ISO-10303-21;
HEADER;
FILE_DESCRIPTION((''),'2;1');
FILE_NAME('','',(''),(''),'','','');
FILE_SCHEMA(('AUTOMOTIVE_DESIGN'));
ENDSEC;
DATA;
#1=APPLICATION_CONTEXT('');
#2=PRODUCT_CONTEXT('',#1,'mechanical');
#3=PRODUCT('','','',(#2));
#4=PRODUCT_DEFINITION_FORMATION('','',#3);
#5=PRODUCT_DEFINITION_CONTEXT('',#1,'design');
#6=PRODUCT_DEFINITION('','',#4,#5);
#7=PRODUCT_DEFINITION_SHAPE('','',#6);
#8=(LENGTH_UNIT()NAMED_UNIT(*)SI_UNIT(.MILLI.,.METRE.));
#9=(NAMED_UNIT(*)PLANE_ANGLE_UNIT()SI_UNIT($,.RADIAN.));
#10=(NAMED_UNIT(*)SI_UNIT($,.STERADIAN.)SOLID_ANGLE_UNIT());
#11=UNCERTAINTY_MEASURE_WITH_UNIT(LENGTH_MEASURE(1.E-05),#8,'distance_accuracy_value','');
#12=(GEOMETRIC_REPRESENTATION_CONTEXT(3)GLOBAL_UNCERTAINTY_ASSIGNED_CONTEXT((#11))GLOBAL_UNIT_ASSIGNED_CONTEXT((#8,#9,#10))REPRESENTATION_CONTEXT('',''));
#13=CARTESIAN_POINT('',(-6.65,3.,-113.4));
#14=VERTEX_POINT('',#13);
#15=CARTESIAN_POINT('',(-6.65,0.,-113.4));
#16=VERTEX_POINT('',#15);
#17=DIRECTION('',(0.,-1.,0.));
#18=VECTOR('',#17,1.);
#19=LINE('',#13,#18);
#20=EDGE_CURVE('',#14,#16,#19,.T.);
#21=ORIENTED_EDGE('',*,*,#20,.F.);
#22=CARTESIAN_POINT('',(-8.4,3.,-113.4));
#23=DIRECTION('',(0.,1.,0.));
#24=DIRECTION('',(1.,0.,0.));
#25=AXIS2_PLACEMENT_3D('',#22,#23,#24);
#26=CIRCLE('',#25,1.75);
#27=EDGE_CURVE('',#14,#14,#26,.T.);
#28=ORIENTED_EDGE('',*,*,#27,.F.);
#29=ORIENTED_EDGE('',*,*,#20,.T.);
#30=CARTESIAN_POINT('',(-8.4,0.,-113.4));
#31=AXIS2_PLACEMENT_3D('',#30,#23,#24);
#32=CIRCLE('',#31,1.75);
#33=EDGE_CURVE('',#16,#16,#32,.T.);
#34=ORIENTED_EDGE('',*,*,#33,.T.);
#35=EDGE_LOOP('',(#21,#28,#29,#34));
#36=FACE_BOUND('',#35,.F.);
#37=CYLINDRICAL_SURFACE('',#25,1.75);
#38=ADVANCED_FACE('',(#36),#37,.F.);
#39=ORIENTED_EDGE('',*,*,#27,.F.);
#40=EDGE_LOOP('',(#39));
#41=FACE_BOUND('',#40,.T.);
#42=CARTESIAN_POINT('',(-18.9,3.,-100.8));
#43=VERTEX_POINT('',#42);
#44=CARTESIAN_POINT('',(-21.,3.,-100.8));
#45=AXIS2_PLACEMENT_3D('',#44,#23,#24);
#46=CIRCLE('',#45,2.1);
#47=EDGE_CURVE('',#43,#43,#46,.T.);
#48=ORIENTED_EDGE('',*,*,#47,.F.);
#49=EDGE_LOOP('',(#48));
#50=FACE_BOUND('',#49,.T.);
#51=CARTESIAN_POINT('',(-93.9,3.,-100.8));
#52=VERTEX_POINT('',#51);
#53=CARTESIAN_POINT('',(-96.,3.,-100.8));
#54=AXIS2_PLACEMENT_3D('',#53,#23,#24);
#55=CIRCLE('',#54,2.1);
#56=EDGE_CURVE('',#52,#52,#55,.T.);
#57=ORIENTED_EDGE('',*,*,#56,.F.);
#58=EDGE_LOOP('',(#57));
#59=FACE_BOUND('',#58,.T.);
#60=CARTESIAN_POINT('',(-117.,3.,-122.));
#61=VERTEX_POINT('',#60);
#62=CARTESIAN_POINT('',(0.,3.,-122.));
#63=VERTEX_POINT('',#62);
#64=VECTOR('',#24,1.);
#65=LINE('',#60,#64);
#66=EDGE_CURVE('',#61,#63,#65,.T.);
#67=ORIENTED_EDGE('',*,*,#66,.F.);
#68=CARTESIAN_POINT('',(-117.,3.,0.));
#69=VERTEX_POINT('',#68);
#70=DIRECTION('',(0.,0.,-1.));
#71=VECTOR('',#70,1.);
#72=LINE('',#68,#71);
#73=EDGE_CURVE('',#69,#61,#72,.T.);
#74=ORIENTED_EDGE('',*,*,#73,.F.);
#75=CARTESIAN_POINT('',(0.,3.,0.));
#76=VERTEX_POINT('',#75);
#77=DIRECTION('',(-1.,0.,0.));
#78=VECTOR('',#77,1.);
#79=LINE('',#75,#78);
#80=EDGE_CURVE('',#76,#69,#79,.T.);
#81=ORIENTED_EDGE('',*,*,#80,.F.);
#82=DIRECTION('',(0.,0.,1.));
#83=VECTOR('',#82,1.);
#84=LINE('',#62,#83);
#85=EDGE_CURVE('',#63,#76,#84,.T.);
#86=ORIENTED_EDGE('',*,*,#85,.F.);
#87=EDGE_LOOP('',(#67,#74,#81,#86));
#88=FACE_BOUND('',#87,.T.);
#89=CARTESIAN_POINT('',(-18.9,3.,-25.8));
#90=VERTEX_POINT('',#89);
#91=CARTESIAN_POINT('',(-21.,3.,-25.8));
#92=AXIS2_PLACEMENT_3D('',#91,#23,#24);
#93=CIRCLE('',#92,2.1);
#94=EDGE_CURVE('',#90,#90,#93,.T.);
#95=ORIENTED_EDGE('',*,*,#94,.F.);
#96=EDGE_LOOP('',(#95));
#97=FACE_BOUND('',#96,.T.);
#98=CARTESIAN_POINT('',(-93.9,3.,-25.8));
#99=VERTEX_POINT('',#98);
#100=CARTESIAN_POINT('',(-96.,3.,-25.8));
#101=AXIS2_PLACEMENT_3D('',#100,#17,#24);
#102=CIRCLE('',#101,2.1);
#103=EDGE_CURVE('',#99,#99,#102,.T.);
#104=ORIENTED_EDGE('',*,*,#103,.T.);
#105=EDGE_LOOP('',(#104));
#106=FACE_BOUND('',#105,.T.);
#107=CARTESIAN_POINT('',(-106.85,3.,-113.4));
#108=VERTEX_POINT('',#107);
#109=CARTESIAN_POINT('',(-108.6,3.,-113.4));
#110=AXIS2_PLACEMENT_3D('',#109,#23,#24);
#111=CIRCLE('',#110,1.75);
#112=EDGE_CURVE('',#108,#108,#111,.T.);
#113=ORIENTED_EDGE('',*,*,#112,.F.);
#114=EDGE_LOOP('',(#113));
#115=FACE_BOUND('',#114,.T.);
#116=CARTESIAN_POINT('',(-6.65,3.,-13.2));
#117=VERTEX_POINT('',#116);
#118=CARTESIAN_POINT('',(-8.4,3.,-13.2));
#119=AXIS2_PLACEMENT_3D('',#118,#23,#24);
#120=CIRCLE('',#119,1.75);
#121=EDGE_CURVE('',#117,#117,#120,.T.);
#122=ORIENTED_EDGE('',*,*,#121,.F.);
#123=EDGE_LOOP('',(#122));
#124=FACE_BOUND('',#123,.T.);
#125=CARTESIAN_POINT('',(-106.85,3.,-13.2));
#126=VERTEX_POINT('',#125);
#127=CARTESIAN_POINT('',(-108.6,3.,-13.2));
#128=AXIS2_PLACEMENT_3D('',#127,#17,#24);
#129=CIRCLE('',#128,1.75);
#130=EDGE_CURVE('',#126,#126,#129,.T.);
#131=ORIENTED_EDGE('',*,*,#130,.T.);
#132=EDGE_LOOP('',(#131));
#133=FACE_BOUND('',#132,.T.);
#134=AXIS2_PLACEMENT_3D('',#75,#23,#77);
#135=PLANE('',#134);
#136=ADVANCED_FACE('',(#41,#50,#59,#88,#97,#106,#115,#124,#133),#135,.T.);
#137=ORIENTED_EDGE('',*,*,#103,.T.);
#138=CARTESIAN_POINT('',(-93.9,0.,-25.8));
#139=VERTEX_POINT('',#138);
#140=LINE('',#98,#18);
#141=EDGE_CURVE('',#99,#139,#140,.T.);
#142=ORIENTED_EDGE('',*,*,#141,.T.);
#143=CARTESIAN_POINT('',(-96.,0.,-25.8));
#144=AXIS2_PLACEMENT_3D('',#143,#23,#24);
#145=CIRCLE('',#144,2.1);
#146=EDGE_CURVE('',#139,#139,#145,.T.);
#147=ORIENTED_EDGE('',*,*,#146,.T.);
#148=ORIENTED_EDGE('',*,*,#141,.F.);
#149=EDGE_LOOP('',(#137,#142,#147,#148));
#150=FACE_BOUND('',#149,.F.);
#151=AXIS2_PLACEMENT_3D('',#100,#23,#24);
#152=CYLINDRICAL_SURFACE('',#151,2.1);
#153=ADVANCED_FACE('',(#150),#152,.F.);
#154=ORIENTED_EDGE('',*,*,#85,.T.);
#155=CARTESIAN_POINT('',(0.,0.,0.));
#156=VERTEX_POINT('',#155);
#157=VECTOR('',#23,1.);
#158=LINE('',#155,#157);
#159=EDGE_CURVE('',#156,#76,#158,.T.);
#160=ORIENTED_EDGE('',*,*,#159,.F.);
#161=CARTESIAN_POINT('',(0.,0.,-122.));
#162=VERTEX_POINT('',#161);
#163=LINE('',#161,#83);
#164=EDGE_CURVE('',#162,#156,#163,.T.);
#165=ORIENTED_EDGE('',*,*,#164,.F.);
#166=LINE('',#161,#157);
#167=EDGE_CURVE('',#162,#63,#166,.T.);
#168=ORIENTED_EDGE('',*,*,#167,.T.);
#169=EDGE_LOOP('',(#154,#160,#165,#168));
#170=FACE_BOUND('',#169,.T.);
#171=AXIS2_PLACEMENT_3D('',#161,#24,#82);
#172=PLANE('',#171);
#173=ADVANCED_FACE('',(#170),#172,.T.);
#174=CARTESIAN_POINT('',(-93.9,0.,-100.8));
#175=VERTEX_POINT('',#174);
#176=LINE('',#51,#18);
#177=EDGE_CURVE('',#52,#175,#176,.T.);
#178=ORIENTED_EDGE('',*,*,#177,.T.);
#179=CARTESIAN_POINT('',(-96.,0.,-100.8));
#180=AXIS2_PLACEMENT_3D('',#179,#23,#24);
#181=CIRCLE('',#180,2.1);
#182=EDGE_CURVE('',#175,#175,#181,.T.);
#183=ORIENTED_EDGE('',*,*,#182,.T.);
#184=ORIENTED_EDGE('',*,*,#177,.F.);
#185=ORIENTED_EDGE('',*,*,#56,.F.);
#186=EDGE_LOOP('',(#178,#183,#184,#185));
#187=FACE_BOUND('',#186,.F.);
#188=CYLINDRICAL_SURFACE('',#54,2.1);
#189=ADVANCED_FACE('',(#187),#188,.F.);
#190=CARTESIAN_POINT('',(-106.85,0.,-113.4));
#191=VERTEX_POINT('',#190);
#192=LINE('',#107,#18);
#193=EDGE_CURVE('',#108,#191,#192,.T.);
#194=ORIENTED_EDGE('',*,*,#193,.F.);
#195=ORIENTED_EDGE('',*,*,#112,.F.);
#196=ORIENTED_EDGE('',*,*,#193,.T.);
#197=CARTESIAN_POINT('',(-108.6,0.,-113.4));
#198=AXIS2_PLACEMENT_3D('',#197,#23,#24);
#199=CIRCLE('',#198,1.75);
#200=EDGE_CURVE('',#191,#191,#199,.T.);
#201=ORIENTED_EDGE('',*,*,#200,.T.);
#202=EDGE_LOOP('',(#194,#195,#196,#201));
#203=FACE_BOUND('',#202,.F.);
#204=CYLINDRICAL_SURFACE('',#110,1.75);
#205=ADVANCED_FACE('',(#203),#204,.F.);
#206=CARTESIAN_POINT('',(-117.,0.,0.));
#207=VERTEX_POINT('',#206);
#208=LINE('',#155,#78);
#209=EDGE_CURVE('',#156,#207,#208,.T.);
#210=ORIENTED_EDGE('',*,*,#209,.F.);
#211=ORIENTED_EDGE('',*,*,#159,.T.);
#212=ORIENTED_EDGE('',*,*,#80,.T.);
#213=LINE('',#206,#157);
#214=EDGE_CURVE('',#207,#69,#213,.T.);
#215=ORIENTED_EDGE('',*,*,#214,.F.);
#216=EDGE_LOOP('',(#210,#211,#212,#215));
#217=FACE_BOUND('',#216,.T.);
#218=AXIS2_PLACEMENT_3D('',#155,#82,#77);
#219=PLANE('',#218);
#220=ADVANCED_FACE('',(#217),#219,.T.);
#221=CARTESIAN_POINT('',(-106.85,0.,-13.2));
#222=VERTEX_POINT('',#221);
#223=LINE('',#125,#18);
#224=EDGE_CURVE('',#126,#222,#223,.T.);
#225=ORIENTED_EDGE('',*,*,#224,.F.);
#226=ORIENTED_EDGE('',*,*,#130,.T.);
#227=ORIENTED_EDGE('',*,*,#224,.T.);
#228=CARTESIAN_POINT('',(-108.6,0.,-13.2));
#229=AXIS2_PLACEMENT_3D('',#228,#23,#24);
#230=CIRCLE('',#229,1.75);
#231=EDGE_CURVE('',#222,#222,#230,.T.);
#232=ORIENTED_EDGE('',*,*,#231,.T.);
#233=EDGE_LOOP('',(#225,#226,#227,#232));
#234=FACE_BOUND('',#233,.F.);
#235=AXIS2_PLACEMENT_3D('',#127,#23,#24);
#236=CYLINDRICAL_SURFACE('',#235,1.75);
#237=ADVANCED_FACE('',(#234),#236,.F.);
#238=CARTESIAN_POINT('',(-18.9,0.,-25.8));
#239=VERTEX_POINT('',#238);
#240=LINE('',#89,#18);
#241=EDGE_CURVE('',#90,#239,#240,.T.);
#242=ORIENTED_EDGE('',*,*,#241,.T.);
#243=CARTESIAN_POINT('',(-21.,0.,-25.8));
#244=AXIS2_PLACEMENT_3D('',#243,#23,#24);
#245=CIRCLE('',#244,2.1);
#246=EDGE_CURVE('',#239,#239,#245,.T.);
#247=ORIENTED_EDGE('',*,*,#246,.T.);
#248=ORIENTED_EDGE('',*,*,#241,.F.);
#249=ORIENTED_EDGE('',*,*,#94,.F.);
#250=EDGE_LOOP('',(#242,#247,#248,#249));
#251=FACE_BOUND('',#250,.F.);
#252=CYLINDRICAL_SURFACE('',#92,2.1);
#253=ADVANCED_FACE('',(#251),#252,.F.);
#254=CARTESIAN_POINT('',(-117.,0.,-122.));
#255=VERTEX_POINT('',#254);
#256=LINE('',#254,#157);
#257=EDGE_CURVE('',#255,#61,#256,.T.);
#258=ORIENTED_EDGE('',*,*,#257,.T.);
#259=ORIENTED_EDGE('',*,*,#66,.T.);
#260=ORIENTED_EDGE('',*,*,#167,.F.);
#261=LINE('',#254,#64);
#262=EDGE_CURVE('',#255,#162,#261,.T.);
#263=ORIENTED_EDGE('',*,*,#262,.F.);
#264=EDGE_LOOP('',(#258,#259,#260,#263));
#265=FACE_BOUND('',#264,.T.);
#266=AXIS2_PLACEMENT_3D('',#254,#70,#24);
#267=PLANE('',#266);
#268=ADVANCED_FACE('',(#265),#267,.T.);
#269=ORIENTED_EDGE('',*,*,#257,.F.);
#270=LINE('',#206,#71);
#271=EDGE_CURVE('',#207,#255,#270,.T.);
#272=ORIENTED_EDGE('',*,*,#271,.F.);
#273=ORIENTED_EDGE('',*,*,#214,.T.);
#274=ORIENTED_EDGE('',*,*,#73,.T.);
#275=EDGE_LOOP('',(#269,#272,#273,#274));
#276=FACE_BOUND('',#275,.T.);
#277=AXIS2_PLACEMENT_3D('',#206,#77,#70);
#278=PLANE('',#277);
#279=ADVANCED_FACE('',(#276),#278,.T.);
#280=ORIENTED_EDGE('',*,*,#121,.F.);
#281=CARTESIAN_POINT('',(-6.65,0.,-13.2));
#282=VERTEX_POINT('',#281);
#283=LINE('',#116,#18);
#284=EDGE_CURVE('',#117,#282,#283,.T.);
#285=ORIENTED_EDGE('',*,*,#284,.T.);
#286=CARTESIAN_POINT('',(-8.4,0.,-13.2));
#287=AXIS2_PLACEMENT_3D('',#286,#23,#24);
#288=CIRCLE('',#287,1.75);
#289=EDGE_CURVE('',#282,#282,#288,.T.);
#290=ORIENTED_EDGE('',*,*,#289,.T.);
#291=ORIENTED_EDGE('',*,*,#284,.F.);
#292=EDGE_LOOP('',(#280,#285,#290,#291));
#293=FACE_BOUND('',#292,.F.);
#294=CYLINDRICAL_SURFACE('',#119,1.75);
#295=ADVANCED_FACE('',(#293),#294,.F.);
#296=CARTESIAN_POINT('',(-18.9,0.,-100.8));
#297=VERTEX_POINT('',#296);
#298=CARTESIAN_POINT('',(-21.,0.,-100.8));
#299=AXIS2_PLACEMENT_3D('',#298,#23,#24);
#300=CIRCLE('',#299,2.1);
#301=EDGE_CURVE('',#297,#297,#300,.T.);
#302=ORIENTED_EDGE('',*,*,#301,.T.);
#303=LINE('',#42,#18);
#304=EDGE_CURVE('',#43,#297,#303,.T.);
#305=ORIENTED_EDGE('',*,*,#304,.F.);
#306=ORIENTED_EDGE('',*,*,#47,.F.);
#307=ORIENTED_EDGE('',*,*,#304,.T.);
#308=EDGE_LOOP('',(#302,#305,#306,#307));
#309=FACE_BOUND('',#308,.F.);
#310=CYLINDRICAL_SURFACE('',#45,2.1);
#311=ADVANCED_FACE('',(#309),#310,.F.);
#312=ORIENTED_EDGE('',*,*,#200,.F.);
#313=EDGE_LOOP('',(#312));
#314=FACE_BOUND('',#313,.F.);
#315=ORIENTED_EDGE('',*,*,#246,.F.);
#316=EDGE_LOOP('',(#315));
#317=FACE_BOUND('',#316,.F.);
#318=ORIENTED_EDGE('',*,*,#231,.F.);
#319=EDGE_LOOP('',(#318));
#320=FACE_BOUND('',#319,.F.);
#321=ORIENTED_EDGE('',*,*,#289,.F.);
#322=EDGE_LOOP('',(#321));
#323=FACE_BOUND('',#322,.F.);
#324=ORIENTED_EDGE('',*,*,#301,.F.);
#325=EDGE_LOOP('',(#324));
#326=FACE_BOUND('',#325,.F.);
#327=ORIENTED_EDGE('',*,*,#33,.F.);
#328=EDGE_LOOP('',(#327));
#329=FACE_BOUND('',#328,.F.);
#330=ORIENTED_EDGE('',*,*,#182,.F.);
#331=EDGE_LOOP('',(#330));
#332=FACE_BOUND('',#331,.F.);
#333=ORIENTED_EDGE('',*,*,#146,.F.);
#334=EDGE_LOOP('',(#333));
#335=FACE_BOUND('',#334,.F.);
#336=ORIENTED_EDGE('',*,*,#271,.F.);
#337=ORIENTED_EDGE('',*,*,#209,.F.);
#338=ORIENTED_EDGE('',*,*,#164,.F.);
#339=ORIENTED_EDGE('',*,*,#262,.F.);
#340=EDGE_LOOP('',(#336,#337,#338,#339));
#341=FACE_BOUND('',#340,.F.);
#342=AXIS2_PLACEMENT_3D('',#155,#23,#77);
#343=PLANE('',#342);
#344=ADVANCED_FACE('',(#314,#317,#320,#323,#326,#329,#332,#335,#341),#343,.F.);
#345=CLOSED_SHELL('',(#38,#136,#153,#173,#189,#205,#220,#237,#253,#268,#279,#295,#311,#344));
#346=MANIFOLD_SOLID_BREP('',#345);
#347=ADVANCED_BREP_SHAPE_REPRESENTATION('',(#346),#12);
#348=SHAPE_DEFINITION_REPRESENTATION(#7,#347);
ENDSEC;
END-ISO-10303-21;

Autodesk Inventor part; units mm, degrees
ref_plane "YZ Plane" through (0, 0, 0) normal (1, 0, 0) x (0, 1, 0)
ref_plane "XZ Plane" through (0, 0, 0) normal (0, 1, 0) x (-1, 0, 0)
ref_plane "XY Plane" through (0, 0, 0) normal (0, 0, 1) x (1, 0, 0)
sketch "Sketch1" plane through (0, 0, 0) normal (0, 1, 0) x (-1, 0, 0)
  line L0 (0, 0) -> (117, 0)
  line L1 (117, 0) -> (117, -122)
  line L2 (117, -122) -> (0, -122)
  line L3 (0, -122) -> (0, 0)
  dimension "d0" = 117
  dimension "d1" = 122
extrude "Extrusion1" add sketch "Sketch1" along normal blind 3
sketch "Sketch2" plane through (0, 3, 0) normal (0, 1, 0) x (1, 0, 0)
  line L0 (-117, 0) -> (0, 0) projected
  line L1 (-117, 0) -> (-117, 25.8)
  line L2 (-117, 122) -> (-117, 0) projected
  line L3 (-117, 25.8) -> (-96, 25.8)
  circle A0 centre (-96, 25.8) radius 2.1
  circle A1 centre (-96, 100.8) radius 2.1
  circle A2 centre (-21, 25.8) radius 2.1
  circle A3 centre (-21, 100.8) radius 2.1
  line L4 (-117, 0) -> (-117, 13.2)
  line L5 (-117, 13.2) -> (-108.6, 13.2)
  circle A4 centre (-108.6, 13.2) radius 1.75
  circle A5 centre (-108.6, 113.4) radius 1.75
  circle A6 centre (-8.4, 13.2) radius 1.75
  circle A7 centre (-8.4, 113.4) radius 1.75
  dimension "d4" = 25.8
  dimension "d5" = 21
  dimension "d6" = 4.2
  dimension "d9" = 75
  dimension "d12" = 75
  dimension "d15" = 13.2
  dimension "d16" = 8.4
  dimension "d17" = 3.5
  dimension "d20" = 100.2
  dimension "d23" = 100.2
extrude "Extrusion2" cut sketch "Sketch2" against normal blind 3
properties part number "Acrylic_Vesa" material "PET Plastic"
